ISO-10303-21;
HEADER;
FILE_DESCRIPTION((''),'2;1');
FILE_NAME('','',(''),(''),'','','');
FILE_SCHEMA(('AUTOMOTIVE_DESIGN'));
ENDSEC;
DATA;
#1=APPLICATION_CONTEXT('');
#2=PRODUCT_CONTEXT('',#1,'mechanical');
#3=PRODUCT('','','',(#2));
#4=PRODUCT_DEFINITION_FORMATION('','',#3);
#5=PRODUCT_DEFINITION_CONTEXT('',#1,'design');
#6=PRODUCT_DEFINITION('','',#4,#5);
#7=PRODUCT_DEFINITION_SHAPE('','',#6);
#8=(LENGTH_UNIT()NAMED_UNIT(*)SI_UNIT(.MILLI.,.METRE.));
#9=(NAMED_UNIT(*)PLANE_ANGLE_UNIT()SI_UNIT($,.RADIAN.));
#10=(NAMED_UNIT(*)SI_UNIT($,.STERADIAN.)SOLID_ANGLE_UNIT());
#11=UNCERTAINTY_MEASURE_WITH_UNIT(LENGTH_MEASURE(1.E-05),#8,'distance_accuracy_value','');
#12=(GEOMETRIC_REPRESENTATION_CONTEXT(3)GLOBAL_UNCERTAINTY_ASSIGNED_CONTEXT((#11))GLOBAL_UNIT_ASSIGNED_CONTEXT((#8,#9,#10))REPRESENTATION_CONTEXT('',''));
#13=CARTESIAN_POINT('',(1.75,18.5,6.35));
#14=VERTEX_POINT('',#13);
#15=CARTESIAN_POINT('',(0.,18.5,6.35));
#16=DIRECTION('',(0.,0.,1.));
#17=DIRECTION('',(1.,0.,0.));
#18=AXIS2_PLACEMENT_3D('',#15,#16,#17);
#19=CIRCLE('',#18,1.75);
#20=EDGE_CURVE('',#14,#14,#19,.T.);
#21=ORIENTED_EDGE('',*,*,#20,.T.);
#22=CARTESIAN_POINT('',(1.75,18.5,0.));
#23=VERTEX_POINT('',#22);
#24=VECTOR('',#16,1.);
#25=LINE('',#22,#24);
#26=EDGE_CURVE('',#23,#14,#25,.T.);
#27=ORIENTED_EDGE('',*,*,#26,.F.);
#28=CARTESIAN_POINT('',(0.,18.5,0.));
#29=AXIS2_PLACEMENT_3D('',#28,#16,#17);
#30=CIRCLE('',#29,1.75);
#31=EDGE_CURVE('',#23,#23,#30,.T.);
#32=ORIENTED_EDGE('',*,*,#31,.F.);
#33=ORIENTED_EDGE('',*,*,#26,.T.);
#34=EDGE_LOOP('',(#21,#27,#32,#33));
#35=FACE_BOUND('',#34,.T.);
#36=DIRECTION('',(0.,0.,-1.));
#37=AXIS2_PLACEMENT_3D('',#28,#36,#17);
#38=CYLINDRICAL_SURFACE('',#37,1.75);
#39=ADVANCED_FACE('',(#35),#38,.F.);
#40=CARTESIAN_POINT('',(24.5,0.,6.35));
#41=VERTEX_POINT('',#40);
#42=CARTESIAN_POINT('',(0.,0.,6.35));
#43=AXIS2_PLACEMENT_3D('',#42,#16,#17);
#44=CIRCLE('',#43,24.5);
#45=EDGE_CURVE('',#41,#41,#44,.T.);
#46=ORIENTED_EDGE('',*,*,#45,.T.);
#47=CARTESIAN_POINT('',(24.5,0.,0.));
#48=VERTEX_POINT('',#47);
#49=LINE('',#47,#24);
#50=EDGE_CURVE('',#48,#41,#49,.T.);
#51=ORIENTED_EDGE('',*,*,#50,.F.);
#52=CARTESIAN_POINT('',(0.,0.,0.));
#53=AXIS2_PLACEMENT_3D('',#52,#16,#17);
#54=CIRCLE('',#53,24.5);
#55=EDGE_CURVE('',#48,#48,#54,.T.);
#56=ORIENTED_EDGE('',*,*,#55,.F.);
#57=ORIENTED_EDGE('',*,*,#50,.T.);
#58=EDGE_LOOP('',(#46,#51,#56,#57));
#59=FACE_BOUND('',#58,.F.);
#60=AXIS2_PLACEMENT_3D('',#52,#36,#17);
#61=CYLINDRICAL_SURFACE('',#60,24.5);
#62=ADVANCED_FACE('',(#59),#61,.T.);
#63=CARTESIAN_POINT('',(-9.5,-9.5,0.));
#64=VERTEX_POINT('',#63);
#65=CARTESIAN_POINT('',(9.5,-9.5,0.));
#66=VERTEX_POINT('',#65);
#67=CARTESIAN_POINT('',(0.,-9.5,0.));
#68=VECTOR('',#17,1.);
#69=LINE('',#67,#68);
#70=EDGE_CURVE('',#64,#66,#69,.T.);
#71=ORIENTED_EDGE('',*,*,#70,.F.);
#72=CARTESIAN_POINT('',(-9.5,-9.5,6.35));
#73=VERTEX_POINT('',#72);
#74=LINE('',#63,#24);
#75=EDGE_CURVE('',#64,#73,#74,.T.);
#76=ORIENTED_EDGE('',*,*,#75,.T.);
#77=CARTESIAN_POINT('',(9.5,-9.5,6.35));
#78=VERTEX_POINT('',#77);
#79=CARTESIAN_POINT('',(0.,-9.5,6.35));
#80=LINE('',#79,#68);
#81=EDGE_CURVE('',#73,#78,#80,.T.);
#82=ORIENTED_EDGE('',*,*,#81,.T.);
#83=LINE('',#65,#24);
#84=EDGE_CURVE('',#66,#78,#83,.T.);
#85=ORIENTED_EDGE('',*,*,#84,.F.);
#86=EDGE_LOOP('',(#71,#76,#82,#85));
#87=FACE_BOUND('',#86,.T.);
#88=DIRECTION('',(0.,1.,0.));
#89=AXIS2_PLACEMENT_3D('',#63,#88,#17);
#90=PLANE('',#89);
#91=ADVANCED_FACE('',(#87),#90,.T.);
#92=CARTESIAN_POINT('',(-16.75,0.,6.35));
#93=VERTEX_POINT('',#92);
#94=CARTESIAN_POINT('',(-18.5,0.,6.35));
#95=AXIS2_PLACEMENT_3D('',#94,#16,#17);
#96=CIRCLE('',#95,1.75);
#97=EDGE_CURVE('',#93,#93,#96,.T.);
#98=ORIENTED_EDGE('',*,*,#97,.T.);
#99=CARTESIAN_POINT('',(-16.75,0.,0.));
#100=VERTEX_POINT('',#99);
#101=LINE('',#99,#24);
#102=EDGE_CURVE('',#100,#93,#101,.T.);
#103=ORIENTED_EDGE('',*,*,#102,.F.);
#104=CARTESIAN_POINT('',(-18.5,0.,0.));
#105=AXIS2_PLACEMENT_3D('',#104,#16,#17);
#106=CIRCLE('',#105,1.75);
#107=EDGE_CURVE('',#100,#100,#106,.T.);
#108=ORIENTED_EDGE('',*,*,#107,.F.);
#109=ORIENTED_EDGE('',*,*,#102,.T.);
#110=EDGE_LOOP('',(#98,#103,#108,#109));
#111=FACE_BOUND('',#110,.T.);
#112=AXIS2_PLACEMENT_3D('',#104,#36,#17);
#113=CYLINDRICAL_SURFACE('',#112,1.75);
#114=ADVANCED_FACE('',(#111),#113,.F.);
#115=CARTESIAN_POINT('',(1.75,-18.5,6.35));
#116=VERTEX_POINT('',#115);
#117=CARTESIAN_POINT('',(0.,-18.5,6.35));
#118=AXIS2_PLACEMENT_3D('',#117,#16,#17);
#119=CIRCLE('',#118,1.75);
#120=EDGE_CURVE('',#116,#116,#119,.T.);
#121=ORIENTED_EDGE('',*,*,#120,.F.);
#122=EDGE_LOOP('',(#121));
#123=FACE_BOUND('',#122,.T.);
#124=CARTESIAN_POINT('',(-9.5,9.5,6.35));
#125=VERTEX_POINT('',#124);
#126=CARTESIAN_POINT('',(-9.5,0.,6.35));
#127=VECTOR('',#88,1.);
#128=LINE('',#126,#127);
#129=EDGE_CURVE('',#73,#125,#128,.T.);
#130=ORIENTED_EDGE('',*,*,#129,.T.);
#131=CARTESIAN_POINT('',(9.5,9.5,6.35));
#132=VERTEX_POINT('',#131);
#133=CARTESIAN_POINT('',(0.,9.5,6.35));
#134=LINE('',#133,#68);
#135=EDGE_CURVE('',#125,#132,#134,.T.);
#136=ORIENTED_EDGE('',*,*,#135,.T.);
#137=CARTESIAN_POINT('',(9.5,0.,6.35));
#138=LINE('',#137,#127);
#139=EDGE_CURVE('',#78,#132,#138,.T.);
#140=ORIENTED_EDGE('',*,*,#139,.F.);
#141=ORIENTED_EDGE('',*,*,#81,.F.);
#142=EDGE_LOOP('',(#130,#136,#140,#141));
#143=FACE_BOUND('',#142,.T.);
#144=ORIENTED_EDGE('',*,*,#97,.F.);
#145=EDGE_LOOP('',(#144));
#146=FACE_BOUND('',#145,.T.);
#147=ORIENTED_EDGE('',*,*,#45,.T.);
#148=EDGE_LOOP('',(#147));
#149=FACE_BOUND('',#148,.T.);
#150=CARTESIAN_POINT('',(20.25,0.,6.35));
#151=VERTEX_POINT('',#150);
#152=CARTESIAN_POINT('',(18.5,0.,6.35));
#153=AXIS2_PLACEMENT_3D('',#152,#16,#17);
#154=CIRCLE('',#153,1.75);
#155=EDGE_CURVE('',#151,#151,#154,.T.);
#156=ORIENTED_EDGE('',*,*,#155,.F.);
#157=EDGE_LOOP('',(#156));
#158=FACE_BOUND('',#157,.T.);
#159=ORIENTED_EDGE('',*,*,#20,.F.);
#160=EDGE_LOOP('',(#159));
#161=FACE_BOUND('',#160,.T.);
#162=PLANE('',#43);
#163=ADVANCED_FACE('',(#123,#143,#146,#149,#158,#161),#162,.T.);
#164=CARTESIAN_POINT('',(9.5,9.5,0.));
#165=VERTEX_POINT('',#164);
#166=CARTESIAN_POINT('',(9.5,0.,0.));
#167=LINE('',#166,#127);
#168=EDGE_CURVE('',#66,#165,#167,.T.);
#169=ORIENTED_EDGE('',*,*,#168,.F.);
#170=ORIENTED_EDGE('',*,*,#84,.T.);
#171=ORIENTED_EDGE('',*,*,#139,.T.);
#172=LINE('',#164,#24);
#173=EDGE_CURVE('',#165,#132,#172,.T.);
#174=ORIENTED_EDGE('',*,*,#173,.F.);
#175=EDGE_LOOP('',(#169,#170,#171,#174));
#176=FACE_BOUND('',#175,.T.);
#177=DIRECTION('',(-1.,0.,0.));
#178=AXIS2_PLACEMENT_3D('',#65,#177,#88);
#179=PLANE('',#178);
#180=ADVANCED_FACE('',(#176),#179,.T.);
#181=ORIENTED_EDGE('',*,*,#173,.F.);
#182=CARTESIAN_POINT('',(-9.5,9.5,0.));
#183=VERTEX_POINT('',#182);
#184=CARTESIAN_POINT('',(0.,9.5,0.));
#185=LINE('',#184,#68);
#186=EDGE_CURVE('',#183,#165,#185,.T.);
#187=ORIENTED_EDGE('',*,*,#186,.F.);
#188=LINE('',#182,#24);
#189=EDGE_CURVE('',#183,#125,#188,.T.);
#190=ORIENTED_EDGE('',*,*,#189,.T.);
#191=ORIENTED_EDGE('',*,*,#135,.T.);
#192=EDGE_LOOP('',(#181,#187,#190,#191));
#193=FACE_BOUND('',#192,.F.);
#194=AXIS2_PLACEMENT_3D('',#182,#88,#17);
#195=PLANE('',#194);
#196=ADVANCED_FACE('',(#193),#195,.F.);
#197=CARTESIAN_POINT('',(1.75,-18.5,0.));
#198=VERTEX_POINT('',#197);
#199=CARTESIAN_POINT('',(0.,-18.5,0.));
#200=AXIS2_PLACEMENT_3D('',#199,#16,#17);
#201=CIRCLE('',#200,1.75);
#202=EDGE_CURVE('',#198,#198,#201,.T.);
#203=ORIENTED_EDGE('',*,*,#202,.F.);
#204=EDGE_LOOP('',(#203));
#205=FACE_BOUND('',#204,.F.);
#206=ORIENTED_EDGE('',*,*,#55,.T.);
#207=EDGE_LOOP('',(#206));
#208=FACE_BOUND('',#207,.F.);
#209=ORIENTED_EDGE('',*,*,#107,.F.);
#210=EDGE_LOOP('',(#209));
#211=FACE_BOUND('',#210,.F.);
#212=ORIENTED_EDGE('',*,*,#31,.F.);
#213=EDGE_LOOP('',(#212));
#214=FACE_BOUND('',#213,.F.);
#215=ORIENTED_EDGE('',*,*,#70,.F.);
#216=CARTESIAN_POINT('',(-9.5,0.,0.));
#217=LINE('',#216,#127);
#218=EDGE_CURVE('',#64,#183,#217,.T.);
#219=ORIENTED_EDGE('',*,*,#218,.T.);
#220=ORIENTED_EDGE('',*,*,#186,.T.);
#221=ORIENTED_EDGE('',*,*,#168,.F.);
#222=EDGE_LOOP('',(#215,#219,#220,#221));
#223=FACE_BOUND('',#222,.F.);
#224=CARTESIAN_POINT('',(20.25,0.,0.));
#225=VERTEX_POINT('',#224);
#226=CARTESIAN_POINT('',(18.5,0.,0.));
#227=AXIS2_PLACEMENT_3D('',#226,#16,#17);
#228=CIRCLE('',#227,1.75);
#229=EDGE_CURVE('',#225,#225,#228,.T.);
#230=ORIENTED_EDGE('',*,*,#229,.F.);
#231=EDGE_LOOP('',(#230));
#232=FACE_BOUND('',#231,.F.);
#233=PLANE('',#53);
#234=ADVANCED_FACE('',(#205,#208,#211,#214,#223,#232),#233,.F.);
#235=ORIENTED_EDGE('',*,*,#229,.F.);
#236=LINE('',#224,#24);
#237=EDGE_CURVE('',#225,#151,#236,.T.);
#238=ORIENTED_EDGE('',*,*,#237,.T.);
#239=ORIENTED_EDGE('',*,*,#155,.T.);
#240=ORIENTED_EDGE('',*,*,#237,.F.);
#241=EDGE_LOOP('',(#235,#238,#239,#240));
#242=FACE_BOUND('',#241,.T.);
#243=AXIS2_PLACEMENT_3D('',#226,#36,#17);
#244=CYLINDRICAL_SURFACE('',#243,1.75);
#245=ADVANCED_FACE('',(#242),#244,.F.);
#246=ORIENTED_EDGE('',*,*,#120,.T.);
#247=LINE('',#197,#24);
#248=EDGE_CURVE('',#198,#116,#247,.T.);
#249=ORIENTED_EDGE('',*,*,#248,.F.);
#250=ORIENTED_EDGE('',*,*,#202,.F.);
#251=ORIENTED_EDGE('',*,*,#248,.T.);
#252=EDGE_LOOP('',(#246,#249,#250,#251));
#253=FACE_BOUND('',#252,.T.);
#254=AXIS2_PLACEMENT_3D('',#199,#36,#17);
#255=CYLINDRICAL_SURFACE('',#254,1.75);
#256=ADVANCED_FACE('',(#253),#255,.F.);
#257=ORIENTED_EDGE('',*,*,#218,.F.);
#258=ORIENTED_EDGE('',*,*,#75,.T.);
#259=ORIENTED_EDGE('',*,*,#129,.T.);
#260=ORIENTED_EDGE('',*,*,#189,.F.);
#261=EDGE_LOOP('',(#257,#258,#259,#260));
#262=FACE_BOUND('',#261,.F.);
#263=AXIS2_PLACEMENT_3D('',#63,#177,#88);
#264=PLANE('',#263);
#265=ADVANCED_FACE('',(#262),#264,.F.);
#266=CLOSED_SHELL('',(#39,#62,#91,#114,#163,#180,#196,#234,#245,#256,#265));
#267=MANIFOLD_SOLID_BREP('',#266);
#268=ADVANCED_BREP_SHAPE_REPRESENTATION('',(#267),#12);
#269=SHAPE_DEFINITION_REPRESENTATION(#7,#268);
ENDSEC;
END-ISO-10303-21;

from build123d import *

# Parameters (mm, degrees)
F0_R     = 24.5
F0_R_2   = 1.75
F0_W     = 19
F0_H     = 19
F1_DEPTH = 6.35


with BuildPart() as f1:
    # F0 (on Top) → F1 (new body)
    with BuildSketch(Plane.XY):
        Circle(F0_R)
        with Locations((0, -18.5)):
            Circle(F0_R_2, mode=Mode.SUBTRACT)
        with Locations((-18.5, 0)):
            Circle(F0_R_2, mode=Mode.SUBTRACT)
        Rectangle(F0_W, F0_H, mode=Mode.SUBTRACT)
        with Locations((18.5, 0)):
            Circle(F0_R_2, mode=Mode.SUBTRACT)
        with Locations((0, 18.5)):
            Circle(F0_R_2, mode=Mode.SUBTRACT)
    extrude(amount=F1_DEPTH)


solid = f1.part
